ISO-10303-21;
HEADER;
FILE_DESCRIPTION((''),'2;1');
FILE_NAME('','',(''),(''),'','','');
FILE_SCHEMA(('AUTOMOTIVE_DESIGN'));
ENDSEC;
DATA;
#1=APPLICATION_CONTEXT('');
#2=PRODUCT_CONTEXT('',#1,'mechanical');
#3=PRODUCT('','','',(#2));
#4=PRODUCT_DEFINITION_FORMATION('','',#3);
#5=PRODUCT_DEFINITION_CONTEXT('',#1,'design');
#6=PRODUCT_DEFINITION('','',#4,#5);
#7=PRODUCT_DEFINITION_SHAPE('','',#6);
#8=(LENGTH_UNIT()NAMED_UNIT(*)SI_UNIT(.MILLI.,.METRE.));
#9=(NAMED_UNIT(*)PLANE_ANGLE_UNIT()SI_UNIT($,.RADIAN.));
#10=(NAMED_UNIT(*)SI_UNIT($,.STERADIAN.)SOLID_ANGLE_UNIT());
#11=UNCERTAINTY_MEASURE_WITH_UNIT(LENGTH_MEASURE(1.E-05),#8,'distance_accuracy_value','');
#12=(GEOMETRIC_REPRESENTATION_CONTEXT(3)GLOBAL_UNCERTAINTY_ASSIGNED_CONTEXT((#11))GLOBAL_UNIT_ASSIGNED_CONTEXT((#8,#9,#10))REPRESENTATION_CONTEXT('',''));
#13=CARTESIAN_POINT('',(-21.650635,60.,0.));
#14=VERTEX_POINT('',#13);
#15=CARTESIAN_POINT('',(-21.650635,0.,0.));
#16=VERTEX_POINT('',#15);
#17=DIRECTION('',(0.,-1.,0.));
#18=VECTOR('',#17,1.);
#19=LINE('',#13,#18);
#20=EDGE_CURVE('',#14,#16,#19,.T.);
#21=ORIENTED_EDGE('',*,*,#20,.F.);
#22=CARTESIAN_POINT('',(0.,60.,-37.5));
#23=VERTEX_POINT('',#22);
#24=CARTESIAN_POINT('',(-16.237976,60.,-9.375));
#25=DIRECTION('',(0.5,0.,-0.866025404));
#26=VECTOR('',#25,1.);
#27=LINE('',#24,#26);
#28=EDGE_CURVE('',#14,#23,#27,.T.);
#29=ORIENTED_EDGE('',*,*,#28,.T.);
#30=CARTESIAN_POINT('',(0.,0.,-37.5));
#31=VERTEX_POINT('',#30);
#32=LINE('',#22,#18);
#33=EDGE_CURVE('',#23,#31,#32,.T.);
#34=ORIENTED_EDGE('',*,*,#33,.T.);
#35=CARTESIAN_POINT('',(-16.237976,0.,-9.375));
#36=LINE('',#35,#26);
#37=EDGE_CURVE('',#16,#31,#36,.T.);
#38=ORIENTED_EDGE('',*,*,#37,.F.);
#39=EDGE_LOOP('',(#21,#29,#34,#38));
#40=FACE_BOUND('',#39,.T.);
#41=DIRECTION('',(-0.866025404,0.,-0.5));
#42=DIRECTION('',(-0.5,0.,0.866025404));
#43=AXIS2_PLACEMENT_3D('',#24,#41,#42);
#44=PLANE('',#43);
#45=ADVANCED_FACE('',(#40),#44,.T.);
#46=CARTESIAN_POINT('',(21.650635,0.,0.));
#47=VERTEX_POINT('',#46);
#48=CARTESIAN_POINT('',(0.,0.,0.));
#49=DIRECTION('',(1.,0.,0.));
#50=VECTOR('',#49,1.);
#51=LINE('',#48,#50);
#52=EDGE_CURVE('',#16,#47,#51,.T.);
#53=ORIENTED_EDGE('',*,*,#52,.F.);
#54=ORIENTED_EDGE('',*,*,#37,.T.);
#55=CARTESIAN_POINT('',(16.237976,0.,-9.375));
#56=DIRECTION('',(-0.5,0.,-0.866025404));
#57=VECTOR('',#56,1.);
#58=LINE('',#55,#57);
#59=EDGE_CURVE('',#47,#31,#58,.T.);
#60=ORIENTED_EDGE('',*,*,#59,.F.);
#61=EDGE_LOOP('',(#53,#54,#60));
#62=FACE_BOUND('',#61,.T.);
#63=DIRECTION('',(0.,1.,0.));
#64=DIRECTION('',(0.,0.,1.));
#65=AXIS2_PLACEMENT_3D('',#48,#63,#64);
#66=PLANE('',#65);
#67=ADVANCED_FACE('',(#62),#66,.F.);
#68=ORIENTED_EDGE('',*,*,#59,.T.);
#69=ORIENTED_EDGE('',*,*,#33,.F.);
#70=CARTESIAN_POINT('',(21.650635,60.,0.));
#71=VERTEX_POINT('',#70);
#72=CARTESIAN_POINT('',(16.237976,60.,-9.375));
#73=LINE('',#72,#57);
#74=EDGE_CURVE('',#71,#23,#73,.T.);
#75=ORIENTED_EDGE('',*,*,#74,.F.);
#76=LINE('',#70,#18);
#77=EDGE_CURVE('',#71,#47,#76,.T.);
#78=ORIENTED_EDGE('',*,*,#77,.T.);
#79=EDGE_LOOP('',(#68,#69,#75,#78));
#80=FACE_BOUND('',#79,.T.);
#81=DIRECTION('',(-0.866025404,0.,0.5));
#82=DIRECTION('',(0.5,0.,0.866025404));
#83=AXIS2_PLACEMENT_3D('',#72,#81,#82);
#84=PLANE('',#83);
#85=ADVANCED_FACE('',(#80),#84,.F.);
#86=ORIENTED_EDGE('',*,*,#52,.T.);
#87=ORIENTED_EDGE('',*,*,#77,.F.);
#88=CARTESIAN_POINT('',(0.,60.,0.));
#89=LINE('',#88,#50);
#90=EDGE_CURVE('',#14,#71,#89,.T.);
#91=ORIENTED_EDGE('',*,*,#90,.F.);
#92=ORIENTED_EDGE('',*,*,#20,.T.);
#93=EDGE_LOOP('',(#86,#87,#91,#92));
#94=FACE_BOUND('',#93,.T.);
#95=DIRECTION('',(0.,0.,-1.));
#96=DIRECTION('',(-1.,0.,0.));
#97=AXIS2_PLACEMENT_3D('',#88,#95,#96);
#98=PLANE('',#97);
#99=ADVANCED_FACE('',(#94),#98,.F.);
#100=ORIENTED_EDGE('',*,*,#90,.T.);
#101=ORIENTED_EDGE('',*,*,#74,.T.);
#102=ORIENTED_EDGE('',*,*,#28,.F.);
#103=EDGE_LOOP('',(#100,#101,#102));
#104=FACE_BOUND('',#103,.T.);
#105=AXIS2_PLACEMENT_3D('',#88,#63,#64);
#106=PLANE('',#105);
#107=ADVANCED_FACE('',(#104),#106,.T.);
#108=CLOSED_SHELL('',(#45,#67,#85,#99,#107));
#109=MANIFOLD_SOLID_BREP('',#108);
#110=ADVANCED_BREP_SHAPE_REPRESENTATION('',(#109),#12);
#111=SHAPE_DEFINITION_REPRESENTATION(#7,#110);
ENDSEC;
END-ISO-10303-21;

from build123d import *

# Parameters (mm, degrees)
EXTRUDE_1_DEPTH = 60


with BuildPart() as part:
    # 草图1 → 凸台-拉伸1 (new body)
    with BuildSketch(Plane(origin=(0, 0, 0), x_dir=(1, 0, 0), z_dir=(0, 1, 0))):
        Polygon((0, 37.5), (-21.650635095, 0), (0, 0), align=None)
        Polygon((0, 37.5), (0, 0), (21.650635095, 0), align=None)
    extrude(amount=EXTRUDE_1_DEPTH)


solid = part.part
